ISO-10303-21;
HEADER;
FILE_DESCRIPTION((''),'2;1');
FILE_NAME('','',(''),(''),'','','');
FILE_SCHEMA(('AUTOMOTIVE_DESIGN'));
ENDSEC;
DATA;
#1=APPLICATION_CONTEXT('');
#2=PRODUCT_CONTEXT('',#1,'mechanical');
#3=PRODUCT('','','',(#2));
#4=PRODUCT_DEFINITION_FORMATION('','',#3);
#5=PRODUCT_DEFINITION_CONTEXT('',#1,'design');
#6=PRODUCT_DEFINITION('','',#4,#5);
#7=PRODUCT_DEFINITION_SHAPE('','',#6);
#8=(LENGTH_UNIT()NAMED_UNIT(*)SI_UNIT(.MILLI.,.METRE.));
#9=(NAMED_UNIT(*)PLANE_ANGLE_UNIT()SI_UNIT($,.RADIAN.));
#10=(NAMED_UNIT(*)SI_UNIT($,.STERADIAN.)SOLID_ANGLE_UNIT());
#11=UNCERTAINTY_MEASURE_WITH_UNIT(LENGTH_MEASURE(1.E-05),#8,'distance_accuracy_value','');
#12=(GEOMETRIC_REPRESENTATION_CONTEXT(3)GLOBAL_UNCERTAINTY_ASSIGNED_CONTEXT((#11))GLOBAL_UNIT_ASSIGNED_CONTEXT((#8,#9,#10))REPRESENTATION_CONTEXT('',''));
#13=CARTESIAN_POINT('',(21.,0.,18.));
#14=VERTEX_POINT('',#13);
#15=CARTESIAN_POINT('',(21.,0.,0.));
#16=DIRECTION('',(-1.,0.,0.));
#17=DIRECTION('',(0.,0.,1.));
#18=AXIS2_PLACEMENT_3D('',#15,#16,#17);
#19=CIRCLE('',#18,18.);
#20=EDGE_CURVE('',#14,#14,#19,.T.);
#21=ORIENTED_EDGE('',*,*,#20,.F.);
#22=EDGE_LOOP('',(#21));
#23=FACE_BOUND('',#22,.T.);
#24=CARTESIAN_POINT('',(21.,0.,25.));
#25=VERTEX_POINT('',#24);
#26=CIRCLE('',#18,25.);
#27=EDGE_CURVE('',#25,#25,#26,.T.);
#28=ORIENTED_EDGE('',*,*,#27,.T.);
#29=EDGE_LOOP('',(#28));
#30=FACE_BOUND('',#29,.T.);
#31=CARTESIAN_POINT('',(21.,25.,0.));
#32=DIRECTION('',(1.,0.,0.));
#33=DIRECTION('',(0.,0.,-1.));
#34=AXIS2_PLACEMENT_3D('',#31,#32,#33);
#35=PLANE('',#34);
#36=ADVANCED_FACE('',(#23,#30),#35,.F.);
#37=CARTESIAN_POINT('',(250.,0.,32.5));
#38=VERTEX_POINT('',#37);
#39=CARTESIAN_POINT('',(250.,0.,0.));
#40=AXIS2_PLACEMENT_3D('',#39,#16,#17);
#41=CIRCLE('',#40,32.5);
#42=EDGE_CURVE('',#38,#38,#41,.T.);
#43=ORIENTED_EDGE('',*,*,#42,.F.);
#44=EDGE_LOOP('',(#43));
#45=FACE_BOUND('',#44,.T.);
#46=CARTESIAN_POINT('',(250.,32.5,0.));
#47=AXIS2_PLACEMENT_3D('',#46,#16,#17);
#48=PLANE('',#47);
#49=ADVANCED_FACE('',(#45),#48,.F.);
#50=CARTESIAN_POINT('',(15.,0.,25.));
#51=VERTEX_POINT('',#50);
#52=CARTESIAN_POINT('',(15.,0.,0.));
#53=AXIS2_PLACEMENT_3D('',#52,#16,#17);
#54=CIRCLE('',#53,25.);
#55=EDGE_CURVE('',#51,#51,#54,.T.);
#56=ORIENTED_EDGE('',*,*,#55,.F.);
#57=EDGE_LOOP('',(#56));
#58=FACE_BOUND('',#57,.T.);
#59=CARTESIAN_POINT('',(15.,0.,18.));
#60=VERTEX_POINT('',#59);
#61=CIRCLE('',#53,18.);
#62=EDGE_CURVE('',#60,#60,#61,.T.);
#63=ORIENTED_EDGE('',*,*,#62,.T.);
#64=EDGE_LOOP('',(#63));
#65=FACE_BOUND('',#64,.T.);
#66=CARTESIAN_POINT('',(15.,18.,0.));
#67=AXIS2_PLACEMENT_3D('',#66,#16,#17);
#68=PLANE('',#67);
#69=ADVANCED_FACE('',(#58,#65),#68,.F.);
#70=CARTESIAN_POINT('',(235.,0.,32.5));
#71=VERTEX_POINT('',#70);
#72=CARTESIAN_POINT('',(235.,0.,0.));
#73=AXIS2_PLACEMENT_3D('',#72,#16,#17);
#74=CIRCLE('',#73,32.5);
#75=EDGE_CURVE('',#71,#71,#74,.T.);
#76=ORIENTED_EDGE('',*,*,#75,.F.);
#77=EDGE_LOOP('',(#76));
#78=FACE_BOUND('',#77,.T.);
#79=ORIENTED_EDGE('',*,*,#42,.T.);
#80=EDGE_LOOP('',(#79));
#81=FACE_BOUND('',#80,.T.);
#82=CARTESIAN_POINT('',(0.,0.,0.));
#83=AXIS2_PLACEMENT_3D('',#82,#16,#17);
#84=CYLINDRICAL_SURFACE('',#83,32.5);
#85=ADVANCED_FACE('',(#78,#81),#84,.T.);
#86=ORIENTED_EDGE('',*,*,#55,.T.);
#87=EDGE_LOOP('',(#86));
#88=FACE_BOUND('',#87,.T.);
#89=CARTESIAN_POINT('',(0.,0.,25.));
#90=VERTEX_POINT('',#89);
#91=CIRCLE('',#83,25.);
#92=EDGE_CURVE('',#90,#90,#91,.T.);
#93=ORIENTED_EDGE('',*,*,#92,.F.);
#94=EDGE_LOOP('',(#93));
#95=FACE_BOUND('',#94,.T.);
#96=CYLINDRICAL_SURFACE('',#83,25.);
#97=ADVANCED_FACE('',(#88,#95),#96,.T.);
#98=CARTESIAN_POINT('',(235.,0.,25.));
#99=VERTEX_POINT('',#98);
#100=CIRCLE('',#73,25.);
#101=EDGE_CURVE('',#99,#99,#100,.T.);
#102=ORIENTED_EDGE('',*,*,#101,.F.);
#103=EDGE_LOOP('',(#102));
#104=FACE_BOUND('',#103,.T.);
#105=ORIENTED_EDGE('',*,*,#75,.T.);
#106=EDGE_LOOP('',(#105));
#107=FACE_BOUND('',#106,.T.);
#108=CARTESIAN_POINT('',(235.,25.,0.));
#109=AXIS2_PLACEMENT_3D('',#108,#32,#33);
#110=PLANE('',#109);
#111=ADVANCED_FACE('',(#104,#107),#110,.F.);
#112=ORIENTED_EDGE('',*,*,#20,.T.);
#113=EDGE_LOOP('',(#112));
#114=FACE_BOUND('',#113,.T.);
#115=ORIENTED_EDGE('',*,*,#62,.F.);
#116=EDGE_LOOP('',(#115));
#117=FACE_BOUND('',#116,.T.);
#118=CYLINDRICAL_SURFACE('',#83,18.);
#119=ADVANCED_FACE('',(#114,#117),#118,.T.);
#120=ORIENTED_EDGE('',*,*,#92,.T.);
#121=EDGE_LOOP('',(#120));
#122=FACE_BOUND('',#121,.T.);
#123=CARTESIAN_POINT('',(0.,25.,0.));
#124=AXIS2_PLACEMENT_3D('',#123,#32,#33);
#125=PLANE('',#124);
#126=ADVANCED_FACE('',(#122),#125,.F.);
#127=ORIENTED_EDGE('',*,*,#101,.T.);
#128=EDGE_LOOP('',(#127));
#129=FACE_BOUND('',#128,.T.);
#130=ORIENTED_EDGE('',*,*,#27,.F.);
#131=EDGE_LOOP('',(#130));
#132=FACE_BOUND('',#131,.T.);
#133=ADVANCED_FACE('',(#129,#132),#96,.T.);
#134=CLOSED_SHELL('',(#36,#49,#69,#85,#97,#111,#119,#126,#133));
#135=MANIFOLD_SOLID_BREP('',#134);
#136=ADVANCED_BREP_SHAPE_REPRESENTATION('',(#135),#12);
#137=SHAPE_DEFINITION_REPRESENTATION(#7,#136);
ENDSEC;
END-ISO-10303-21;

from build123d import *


with BuildPart() as part:
    # 草图1 → 旋转1 (revolve)
    with BuildSketch(Plane.XY, mode=Mode.PRIVATE) as revolve_1_sk:
        Polygon((0, 0), (250, 0), (250, 32.5), (235, 32.5), (235, 25), (21, 25), (21, 18), (15, 18), (15, 25), (0, 25), align=None)
    revolve(revolve_1_sk.sketch.rotate(Axis((0, 0, 0), (1, 0, 0)), 90), axis=Axis((0, 0, 0), (1, 0, 0)))


solid = part.part
